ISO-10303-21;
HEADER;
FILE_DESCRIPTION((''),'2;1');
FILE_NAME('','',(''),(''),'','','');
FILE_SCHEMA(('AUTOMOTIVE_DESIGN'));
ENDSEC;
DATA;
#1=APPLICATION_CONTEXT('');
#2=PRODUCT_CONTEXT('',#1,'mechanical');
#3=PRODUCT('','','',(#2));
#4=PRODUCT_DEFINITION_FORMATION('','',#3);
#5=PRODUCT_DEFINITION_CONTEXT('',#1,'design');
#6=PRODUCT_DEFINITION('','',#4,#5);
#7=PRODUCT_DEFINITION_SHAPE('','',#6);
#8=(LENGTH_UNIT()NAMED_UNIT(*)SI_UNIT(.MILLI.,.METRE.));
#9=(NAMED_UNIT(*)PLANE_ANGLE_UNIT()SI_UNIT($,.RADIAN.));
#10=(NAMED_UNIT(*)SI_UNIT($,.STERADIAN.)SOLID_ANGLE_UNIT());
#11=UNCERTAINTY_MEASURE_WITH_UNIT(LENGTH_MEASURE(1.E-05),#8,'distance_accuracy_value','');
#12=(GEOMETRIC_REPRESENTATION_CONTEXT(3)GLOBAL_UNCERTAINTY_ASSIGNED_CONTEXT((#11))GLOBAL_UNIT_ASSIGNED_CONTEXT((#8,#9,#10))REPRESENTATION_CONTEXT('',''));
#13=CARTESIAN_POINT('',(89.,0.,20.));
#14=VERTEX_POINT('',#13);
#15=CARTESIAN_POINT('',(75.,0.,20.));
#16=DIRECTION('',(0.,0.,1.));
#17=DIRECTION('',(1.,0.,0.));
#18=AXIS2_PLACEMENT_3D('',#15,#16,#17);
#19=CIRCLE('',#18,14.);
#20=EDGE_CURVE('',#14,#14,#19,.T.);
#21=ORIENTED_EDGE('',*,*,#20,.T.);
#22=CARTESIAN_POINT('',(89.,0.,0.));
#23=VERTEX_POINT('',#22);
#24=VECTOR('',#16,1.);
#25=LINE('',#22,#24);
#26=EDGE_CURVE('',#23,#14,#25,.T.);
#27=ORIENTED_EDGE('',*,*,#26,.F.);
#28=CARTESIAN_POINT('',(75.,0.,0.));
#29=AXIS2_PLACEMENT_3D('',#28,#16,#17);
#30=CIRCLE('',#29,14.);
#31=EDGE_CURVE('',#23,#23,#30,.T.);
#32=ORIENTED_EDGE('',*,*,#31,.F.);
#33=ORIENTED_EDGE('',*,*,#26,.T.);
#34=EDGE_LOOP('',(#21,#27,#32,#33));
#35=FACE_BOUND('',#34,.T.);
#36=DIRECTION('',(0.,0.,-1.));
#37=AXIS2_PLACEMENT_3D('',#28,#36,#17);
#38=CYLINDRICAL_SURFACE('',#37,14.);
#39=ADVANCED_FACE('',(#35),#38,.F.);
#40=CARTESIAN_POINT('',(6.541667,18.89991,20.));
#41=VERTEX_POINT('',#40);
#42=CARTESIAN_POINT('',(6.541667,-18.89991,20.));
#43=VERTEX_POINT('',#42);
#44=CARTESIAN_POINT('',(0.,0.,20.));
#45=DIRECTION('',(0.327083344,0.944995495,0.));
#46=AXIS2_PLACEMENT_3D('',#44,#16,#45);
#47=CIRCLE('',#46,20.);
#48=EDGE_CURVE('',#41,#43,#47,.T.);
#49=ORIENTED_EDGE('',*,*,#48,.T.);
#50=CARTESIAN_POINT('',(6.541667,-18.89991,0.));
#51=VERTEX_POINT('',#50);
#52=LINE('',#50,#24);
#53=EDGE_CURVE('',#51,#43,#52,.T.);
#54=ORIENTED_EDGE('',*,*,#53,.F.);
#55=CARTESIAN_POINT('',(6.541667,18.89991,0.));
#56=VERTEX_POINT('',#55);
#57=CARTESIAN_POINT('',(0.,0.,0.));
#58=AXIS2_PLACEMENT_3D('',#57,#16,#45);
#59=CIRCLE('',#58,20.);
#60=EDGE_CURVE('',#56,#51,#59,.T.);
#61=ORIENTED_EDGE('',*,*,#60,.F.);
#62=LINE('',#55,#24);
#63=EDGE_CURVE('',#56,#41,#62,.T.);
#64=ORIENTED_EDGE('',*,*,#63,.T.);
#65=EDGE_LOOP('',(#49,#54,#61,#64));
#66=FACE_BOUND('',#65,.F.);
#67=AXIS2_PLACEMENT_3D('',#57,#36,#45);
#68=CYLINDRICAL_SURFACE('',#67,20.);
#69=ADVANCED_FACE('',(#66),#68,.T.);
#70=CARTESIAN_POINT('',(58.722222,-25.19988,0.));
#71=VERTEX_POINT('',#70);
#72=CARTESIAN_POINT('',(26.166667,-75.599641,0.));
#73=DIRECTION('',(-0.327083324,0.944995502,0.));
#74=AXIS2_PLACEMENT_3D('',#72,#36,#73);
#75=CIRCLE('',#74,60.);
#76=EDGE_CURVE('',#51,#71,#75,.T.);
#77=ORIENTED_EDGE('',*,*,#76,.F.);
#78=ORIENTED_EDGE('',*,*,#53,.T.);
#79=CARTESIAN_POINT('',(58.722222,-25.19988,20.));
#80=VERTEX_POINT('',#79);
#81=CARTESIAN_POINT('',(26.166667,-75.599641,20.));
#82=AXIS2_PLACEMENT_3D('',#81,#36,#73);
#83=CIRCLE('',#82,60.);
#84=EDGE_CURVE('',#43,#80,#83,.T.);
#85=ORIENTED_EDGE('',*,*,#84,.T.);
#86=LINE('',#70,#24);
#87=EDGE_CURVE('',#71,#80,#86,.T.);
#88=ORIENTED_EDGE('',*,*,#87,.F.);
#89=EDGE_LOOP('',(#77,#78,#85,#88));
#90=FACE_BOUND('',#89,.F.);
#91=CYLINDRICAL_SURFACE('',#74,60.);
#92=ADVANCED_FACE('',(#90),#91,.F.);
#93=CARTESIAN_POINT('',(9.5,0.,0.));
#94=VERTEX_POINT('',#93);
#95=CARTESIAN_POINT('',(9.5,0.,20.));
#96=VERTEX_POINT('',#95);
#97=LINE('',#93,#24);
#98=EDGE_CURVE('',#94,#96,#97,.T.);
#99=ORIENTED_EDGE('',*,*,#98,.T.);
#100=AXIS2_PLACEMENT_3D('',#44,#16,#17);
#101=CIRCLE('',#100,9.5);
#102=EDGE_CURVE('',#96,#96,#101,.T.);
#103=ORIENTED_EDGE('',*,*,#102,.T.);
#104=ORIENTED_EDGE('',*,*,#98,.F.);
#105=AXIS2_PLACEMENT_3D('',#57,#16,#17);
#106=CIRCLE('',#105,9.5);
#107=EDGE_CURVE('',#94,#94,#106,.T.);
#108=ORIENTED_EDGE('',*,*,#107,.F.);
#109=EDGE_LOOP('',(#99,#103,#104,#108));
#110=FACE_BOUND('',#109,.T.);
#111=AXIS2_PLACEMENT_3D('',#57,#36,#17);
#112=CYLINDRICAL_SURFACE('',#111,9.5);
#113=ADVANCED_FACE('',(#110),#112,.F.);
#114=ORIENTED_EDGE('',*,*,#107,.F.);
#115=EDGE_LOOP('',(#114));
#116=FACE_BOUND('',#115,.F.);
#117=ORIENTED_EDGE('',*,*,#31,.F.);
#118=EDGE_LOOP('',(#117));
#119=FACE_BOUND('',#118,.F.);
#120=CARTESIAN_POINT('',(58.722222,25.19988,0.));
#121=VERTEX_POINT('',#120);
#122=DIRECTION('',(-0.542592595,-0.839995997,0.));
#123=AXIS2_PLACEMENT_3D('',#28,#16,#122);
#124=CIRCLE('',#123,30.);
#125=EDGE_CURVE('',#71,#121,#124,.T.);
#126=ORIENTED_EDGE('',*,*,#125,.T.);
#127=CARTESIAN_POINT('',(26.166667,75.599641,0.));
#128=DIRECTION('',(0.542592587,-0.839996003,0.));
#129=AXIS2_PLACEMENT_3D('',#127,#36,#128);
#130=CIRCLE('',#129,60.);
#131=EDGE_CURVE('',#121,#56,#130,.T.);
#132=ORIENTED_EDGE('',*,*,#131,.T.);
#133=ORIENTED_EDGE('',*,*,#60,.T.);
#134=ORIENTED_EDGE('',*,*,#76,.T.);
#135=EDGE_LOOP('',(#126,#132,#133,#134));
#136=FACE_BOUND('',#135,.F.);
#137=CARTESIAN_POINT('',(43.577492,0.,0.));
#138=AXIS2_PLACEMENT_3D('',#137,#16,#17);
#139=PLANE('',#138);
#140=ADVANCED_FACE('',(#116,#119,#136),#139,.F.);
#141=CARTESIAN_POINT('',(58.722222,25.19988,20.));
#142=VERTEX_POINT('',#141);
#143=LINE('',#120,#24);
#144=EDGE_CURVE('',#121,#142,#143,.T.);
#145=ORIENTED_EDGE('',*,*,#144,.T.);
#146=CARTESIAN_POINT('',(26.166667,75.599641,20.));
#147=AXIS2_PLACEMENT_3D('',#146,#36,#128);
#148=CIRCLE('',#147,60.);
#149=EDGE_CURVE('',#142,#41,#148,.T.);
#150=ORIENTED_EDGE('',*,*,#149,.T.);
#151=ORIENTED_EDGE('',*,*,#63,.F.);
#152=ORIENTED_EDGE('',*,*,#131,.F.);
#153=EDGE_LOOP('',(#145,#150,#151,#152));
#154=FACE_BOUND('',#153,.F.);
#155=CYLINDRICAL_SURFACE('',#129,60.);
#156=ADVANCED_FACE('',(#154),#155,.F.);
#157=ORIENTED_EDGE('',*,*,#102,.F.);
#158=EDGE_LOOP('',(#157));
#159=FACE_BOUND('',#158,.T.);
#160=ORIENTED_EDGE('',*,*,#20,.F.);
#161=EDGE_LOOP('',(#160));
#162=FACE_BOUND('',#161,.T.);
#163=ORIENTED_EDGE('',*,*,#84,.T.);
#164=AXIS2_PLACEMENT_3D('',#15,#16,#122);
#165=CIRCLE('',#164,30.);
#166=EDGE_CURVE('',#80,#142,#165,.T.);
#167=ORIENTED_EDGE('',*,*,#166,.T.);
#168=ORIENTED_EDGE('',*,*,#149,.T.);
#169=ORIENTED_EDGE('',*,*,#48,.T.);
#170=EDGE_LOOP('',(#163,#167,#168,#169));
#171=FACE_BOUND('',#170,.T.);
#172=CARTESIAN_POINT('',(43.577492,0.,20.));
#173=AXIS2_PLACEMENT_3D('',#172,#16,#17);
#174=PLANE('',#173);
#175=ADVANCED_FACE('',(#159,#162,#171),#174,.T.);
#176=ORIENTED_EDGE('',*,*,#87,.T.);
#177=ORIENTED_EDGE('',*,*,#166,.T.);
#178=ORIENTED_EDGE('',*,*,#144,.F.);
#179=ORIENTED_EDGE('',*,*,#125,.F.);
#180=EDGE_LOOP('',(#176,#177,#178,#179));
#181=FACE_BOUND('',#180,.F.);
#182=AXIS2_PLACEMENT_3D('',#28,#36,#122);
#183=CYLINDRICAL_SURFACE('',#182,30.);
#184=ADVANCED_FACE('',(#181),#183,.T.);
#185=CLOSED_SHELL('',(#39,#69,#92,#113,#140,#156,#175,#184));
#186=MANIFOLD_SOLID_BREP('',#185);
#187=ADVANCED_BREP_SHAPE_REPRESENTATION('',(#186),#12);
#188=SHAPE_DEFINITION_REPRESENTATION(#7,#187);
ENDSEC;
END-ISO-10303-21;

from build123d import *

# Parameters (mm, degrees)
F0_R     = 9.5
F0_R_2   = 14
F1_DEPTH = 20


with BuildPart() as f1:
    # F0 (on Top) → F1 (new body)
    with BuildSketch(Plane.XY):
        with BuildLine():
            ThreePointArc((58.722222, 25.19988), (33.358483, 16.032218), (6.541667, 18.89991))
            ThreePointArc((6.541667, 18.89991), (-20, 0), (6.541667, -18.89991))
            ThreePointArc((6.541667, -18.89991), (33.358483, -16.032218), (58.722222, -25.19988))
            ThreePointArc((58.722222, -25.19988), (105, 0), (58.722222, 25.19988))
        make_face()
        Circle(F0_R, mode=Mode.SUBTRACT)
        with Locations((75, 0)):
            Circle(F0_R_2, mode=Mode.SUBTRACT)
    extrude(amount=F1_DEPTH)


solid = f1.part
